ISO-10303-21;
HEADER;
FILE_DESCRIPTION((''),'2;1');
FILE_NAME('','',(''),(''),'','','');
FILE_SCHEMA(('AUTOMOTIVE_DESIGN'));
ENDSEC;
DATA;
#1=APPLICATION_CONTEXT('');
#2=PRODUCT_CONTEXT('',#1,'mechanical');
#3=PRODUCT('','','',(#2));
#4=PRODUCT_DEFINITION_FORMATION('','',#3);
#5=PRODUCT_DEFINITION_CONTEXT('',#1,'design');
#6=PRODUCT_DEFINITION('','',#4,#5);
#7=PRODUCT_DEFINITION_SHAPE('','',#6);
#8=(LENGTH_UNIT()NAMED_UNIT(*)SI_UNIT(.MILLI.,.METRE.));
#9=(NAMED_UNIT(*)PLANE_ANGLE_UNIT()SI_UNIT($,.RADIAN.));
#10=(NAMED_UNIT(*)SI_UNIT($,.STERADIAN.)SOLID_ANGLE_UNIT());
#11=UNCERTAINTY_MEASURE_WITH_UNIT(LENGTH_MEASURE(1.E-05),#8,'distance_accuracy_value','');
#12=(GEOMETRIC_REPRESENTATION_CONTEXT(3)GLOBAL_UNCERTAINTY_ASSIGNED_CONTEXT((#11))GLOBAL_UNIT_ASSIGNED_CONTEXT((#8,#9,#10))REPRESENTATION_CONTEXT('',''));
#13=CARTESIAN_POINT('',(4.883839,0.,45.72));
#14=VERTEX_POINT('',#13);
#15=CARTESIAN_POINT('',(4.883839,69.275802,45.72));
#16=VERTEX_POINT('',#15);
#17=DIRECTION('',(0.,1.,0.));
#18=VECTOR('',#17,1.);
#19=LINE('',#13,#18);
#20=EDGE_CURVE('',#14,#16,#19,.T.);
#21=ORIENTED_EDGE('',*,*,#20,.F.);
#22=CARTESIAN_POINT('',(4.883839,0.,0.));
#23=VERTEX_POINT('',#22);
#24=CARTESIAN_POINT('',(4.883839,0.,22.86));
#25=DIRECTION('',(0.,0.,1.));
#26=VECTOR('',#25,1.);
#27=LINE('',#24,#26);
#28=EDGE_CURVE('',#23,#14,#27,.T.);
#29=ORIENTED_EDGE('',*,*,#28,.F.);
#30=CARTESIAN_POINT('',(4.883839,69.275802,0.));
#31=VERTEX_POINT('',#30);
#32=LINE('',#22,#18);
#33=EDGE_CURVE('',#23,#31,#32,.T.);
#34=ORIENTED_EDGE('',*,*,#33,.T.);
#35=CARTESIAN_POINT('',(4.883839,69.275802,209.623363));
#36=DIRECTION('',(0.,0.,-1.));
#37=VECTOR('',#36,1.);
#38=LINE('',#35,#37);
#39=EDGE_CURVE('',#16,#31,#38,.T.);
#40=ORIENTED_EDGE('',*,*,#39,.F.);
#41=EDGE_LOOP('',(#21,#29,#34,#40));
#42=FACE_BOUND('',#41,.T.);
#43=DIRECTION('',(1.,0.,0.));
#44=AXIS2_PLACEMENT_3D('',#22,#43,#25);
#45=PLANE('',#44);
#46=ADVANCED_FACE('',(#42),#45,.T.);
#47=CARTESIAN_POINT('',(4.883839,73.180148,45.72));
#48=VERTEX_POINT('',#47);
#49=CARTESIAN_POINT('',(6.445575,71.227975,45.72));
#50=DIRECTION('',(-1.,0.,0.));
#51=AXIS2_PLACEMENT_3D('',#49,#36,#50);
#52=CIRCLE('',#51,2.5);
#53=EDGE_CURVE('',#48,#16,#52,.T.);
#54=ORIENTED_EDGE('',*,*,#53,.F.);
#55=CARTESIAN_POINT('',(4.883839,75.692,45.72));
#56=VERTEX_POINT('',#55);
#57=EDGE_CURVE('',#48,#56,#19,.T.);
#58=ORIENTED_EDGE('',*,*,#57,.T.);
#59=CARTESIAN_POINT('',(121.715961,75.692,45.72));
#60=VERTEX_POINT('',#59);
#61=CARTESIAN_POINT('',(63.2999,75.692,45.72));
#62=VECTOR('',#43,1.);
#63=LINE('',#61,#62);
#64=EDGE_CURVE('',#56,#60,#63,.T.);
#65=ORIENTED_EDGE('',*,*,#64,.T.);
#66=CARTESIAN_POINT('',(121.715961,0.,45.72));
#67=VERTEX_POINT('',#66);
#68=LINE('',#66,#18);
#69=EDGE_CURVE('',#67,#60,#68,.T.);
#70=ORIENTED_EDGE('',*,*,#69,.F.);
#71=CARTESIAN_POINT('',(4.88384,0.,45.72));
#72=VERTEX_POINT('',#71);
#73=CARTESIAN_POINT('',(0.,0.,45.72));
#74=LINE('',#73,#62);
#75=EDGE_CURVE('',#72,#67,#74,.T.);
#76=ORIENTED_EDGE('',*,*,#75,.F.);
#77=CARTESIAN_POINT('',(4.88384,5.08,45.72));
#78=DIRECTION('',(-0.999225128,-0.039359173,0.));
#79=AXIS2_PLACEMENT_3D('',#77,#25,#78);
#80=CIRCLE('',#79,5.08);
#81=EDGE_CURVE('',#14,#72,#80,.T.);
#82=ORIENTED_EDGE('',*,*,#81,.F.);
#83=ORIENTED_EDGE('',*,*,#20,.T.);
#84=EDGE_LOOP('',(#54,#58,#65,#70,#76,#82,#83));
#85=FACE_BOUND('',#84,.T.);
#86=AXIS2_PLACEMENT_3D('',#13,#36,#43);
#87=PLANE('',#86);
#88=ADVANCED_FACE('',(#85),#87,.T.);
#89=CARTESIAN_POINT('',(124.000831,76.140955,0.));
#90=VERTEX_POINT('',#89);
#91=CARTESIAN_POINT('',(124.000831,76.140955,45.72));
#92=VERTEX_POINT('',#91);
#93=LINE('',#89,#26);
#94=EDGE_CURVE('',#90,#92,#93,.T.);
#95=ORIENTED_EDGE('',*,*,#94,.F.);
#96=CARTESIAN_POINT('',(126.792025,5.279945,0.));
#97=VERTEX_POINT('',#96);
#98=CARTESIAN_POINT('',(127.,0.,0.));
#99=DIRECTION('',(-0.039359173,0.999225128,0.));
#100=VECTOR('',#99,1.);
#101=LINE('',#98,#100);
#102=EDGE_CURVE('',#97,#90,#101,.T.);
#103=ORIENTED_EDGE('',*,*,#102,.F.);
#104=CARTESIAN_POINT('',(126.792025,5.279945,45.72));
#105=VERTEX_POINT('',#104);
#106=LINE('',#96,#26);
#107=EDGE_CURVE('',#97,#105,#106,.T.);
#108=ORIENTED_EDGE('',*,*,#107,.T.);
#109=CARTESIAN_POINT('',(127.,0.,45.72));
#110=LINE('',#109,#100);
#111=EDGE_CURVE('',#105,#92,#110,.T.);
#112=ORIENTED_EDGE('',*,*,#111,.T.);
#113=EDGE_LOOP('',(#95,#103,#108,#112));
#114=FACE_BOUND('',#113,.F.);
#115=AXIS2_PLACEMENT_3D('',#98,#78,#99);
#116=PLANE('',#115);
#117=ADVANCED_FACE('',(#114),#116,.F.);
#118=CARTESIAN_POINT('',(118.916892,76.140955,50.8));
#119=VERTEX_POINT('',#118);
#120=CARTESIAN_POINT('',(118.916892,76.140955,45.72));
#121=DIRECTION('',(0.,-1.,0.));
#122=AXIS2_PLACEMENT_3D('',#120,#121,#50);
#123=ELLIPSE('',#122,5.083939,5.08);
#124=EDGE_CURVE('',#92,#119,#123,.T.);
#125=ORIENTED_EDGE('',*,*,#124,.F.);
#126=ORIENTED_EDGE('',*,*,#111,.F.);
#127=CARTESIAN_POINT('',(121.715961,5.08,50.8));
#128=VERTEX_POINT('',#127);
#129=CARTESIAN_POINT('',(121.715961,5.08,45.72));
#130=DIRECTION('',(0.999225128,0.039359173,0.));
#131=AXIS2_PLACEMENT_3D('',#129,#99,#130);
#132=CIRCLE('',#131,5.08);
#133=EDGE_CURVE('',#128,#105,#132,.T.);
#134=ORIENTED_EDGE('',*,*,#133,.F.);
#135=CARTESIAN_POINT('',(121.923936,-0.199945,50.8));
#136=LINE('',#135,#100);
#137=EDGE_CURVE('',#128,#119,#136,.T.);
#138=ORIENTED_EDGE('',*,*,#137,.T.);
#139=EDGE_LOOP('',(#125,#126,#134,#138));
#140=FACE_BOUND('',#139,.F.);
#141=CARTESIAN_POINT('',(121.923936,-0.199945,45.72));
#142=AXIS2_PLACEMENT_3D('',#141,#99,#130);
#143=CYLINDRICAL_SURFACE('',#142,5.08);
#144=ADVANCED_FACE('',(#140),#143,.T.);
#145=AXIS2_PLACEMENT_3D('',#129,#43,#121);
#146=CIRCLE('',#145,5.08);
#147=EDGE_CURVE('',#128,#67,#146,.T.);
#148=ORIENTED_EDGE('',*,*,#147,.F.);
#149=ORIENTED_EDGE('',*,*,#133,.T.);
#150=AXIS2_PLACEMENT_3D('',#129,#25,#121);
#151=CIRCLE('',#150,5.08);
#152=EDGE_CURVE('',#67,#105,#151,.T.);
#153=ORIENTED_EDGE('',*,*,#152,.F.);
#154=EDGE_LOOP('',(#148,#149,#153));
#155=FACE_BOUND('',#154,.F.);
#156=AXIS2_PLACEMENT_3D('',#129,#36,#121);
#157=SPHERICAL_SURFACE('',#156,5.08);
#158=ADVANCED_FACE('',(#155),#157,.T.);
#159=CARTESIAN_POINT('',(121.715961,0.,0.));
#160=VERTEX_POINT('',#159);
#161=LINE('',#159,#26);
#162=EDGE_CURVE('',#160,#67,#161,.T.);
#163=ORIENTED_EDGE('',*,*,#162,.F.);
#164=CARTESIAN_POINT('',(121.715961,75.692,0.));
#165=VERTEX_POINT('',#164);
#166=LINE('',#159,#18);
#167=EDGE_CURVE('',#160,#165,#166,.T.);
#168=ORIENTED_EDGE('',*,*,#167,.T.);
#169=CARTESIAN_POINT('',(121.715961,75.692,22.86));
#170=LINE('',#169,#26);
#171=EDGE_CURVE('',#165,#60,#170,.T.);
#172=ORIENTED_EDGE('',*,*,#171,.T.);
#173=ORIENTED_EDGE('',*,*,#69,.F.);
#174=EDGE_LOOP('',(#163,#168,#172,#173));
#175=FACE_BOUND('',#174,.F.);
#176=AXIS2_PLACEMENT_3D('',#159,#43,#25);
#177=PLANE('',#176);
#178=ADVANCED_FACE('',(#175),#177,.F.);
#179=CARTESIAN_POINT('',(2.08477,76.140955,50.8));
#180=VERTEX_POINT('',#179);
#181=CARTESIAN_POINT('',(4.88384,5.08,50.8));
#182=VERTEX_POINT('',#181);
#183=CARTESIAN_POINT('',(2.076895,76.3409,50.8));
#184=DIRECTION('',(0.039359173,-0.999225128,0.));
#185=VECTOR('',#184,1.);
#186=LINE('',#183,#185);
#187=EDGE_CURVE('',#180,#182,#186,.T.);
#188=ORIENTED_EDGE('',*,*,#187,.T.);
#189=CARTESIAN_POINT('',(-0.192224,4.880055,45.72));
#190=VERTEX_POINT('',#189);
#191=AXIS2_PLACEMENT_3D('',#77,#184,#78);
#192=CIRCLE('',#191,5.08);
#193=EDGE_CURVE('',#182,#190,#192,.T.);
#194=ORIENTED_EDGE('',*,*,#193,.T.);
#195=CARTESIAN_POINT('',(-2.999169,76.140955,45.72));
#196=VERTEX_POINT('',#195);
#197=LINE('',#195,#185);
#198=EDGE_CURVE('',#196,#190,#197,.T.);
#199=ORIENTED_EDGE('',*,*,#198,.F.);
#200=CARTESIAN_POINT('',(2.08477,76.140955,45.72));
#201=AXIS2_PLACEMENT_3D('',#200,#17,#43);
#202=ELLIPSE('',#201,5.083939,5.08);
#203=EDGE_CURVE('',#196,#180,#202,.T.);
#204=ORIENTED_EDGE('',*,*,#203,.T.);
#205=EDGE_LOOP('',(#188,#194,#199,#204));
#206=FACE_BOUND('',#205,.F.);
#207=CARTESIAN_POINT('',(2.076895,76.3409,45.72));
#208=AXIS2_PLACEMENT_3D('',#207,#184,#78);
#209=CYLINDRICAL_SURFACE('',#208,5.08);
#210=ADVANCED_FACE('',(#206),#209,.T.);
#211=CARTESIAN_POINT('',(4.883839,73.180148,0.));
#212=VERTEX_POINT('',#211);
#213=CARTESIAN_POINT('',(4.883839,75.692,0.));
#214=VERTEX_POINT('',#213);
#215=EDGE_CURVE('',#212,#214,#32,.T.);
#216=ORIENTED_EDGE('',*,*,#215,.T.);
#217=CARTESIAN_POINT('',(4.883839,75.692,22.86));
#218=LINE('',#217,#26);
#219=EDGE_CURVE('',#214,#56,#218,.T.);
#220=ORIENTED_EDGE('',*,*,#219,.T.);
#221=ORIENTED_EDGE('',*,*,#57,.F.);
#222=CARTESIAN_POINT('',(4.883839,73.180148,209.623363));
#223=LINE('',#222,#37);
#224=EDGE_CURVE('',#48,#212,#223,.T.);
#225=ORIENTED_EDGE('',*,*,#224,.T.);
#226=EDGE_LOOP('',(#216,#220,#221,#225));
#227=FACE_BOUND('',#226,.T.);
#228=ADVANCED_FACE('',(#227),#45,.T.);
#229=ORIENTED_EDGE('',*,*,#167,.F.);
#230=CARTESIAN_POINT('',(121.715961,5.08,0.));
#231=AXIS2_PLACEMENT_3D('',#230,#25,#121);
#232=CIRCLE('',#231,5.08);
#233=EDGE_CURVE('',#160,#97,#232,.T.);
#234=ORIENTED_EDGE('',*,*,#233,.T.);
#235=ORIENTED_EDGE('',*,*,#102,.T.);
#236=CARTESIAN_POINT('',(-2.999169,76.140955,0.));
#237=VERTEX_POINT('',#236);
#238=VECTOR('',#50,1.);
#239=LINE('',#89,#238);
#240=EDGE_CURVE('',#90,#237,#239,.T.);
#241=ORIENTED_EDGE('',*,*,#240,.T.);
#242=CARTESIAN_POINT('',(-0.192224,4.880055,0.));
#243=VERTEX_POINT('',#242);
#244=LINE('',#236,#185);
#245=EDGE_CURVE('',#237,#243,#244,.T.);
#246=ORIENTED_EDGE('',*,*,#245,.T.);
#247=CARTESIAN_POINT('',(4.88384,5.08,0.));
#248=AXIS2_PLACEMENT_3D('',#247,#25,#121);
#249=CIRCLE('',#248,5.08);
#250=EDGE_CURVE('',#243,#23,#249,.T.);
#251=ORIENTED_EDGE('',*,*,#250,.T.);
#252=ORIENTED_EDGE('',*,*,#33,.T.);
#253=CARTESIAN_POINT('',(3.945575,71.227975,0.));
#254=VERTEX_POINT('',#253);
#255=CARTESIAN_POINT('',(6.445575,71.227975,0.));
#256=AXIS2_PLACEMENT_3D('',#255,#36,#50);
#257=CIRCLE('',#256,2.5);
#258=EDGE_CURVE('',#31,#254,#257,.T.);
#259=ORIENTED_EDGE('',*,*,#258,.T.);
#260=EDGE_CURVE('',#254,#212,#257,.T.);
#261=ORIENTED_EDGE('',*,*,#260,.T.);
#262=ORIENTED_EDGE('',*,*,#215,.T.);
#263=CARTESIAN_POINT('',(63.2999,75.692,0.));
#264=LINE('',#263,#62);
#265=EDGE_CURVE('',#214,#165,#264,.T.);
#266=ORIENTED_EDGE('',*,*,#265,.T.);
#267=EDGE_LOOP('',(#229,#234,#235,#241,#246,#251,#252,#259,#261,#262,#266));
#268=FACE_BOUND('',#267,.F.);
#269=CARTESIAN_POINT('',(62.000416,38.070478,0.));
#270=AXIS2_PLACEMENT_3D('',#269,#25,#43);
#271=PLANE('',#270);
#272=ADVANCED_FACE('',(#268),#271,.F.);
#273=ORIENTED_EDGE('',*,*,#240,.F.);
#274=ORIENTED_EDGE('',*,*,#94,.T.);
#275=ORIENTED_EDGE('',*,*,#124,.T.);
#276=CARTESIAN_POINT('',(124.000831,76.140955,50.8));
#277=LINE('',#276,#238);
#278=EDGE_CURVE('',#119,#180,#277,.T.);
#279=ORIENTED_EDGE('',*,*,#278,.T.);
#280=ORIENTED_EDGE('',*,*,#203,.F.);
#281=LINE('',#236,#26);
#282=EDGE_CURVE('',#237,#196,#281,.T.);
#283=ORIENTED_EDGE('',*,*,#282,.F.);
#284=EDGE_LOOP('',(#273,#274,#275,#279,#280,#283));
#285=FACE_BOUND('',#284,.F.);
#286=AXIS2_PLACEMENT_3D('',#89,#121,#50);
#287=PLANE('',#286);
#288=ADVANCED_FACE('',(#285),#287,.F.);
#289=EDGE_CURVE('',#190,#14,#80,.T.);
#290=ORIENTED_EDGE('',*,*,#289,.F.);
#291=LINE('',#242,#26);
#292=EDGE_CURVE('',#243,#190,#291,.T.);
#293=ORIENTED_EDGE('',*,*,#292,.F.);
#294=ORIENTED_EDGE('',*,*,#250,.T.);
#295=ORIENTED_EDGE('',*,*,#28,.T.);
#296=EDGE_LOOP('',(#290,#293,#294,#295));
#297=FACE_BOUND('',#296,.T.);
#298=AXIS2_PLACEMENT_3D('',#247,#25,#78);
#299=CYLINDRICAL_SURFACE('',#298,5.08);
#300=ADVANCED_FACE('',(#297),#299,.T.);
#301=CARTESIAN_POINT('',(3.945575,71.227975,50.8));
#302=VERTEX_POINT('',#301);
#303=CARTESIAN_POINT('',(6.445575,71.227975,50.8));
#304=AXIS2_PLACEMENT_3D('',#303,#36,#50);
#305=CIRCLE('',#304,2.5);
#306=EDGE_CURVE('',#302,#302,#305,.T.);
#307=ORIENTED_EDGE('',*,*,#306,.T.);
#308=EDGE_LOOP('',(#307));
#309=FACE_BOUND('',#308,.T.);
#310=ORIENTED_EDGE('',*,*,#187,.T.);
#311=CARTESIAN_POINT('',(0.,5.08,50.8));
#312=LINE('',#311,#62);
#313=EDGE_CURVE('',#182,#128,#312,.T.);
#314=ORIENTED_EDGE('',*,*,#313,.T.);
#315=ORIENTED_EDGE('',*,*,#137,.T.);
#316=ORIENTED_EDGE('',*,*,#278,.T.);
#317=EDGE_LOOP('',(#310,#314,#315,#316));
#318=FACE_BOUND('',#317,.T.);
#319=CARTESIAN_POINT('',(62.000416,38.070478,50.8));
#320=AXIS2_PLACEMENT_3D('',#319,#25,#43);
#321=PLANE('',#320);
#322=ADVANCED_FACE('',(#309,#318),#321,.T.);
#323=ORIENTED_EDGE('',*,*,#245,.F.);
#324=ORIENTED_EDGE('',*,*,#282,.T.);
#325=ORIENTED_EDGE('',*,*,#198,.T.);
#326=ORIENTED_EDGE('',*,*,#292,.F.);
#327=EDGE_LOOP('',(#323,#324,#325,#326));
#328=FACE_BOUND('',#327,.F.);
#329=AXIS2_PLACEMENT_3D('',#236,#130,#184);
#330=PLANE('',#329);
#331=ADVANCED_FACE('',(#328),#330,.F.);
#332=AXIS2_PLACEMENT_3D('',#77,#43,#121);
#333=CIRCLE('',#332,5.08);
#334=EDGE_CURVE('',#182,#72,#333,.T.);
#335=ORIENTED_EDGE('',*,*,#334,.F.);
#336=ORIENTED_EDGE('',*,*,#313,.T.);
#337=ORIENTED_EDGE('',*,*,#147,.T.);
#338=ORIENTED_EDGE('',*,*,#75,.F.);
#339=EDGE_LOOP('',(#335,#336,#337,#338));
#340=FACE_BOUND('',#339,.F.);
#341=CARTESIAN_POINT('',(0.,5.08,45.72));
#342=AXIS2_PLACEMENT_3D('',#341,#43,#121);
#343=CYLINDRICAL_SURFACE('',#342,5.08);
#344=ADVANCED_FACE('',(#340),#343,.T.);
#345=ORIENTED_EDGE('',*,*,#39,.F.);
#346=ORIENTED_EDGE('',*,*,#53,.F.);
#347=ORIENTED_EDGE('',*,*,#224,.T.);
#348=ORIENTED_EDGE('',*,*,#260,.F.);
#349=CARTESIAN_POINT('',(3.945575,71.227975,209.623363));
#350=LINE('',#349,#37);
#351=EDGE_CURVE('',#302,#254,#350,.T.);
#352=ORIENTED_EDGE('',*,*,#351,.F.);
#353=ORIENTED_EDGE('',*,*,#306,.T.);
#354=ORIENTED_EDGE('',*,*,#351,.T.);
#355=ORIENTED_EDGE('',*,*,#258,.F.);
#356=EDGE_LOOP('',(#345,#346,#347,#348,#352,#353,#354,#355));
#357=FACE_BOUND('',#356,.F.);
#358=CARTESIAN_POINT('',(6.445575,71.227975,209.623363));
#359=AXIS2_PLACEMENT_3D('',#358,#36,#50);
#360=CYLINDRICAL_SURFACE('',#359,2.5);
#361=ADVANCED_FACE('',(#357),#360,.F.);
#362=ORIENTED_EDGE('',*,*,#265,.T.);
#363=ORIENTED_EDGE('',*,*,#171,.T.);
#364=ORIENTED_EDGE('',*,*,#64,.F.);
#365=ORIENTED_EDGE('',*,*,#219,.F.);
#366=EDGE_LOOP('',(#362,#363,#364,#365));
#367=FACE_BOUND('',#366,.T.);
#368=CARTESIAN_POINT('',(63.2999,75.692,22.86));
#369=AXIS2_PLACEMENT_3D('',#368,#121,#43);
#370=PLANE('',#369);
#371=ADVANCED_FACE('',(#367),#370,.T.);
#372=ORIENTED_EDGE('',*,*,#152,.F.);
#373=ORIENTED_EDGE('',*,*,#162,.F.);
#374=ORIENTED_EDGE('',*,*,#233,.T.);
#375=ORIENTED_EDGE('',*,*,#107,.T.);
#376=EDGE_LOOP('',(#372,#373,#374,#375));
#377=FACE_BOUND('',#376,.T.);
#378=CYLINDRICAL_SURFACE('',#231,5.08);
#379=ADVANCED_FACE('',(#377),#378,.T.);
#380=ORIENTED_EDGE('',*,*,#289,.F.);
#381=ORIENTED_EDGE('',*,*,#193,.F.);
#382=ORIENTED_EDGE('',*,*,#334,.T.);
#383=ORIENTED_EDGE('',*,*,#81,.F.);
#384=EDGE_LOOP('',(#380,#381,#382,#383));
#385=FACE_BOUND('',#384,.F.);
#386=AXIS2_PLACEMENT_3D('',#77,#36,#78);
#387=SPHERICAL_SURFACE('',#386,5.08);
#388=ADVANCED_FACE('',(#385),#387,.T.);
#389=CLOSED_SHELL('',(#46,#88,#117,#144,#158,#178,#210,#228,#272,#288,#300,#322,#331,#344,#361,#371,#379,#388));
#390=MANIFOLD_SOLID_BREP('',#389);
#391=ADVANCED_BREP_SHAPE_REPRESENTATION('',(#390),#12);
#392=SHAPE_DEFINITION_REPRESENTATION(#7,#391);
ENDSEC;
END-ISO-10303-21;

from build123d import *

# Parameters (mm, degrees)
F1_DEPTH  = 50.8
F2_R      = 5.08
F1_FACE_W = 116.832122
F1_FACE_H = 45.72
F3_DEPTH  = 75.692
F5_D      = 5


with BuildPart() as f1:
    # F0 (on Top) → F1 (new body)
    with BuildSketch(Plane.XY):
        Polygon((-2.999169, 76.140955), (0, 0), (127, 0), (124.000831, 76.140955), align=None)
    extrude(amount=F1_DEPTH)

    # F2
    f2_edges = [f1.edges().sort_by_distance(p)[0] for p in [
        (63.5, 0, 50.8),
        (125.500415, 38.070477, 50.8),
        (127, 0, 25.4),
        (0, 0, 25.4),
        (-1.499585, 38.070477, 50.8),
    ]]
    fillet(f2_edges, radius=F2_R)

    # F1_face (on face) → F3 (cut)
    with BuildSketch(Plane(origin=(63.2999, 0, 22.86), x_dir=(1, 0, 0), z_dir=(0, -1, 0))):
        Rectangle(F1_FACE_W, F1_FACE_H)
    extrude(amount=-F3_DEPTH, mode=Mode.SUBTRACT)

    # F5 (through all)
    with Locations(Plane.XY.offset(50.8)):
        with Locations((6.445575, 71.227975)):
            Hole(F5_D / 2)


solid = f1.part
